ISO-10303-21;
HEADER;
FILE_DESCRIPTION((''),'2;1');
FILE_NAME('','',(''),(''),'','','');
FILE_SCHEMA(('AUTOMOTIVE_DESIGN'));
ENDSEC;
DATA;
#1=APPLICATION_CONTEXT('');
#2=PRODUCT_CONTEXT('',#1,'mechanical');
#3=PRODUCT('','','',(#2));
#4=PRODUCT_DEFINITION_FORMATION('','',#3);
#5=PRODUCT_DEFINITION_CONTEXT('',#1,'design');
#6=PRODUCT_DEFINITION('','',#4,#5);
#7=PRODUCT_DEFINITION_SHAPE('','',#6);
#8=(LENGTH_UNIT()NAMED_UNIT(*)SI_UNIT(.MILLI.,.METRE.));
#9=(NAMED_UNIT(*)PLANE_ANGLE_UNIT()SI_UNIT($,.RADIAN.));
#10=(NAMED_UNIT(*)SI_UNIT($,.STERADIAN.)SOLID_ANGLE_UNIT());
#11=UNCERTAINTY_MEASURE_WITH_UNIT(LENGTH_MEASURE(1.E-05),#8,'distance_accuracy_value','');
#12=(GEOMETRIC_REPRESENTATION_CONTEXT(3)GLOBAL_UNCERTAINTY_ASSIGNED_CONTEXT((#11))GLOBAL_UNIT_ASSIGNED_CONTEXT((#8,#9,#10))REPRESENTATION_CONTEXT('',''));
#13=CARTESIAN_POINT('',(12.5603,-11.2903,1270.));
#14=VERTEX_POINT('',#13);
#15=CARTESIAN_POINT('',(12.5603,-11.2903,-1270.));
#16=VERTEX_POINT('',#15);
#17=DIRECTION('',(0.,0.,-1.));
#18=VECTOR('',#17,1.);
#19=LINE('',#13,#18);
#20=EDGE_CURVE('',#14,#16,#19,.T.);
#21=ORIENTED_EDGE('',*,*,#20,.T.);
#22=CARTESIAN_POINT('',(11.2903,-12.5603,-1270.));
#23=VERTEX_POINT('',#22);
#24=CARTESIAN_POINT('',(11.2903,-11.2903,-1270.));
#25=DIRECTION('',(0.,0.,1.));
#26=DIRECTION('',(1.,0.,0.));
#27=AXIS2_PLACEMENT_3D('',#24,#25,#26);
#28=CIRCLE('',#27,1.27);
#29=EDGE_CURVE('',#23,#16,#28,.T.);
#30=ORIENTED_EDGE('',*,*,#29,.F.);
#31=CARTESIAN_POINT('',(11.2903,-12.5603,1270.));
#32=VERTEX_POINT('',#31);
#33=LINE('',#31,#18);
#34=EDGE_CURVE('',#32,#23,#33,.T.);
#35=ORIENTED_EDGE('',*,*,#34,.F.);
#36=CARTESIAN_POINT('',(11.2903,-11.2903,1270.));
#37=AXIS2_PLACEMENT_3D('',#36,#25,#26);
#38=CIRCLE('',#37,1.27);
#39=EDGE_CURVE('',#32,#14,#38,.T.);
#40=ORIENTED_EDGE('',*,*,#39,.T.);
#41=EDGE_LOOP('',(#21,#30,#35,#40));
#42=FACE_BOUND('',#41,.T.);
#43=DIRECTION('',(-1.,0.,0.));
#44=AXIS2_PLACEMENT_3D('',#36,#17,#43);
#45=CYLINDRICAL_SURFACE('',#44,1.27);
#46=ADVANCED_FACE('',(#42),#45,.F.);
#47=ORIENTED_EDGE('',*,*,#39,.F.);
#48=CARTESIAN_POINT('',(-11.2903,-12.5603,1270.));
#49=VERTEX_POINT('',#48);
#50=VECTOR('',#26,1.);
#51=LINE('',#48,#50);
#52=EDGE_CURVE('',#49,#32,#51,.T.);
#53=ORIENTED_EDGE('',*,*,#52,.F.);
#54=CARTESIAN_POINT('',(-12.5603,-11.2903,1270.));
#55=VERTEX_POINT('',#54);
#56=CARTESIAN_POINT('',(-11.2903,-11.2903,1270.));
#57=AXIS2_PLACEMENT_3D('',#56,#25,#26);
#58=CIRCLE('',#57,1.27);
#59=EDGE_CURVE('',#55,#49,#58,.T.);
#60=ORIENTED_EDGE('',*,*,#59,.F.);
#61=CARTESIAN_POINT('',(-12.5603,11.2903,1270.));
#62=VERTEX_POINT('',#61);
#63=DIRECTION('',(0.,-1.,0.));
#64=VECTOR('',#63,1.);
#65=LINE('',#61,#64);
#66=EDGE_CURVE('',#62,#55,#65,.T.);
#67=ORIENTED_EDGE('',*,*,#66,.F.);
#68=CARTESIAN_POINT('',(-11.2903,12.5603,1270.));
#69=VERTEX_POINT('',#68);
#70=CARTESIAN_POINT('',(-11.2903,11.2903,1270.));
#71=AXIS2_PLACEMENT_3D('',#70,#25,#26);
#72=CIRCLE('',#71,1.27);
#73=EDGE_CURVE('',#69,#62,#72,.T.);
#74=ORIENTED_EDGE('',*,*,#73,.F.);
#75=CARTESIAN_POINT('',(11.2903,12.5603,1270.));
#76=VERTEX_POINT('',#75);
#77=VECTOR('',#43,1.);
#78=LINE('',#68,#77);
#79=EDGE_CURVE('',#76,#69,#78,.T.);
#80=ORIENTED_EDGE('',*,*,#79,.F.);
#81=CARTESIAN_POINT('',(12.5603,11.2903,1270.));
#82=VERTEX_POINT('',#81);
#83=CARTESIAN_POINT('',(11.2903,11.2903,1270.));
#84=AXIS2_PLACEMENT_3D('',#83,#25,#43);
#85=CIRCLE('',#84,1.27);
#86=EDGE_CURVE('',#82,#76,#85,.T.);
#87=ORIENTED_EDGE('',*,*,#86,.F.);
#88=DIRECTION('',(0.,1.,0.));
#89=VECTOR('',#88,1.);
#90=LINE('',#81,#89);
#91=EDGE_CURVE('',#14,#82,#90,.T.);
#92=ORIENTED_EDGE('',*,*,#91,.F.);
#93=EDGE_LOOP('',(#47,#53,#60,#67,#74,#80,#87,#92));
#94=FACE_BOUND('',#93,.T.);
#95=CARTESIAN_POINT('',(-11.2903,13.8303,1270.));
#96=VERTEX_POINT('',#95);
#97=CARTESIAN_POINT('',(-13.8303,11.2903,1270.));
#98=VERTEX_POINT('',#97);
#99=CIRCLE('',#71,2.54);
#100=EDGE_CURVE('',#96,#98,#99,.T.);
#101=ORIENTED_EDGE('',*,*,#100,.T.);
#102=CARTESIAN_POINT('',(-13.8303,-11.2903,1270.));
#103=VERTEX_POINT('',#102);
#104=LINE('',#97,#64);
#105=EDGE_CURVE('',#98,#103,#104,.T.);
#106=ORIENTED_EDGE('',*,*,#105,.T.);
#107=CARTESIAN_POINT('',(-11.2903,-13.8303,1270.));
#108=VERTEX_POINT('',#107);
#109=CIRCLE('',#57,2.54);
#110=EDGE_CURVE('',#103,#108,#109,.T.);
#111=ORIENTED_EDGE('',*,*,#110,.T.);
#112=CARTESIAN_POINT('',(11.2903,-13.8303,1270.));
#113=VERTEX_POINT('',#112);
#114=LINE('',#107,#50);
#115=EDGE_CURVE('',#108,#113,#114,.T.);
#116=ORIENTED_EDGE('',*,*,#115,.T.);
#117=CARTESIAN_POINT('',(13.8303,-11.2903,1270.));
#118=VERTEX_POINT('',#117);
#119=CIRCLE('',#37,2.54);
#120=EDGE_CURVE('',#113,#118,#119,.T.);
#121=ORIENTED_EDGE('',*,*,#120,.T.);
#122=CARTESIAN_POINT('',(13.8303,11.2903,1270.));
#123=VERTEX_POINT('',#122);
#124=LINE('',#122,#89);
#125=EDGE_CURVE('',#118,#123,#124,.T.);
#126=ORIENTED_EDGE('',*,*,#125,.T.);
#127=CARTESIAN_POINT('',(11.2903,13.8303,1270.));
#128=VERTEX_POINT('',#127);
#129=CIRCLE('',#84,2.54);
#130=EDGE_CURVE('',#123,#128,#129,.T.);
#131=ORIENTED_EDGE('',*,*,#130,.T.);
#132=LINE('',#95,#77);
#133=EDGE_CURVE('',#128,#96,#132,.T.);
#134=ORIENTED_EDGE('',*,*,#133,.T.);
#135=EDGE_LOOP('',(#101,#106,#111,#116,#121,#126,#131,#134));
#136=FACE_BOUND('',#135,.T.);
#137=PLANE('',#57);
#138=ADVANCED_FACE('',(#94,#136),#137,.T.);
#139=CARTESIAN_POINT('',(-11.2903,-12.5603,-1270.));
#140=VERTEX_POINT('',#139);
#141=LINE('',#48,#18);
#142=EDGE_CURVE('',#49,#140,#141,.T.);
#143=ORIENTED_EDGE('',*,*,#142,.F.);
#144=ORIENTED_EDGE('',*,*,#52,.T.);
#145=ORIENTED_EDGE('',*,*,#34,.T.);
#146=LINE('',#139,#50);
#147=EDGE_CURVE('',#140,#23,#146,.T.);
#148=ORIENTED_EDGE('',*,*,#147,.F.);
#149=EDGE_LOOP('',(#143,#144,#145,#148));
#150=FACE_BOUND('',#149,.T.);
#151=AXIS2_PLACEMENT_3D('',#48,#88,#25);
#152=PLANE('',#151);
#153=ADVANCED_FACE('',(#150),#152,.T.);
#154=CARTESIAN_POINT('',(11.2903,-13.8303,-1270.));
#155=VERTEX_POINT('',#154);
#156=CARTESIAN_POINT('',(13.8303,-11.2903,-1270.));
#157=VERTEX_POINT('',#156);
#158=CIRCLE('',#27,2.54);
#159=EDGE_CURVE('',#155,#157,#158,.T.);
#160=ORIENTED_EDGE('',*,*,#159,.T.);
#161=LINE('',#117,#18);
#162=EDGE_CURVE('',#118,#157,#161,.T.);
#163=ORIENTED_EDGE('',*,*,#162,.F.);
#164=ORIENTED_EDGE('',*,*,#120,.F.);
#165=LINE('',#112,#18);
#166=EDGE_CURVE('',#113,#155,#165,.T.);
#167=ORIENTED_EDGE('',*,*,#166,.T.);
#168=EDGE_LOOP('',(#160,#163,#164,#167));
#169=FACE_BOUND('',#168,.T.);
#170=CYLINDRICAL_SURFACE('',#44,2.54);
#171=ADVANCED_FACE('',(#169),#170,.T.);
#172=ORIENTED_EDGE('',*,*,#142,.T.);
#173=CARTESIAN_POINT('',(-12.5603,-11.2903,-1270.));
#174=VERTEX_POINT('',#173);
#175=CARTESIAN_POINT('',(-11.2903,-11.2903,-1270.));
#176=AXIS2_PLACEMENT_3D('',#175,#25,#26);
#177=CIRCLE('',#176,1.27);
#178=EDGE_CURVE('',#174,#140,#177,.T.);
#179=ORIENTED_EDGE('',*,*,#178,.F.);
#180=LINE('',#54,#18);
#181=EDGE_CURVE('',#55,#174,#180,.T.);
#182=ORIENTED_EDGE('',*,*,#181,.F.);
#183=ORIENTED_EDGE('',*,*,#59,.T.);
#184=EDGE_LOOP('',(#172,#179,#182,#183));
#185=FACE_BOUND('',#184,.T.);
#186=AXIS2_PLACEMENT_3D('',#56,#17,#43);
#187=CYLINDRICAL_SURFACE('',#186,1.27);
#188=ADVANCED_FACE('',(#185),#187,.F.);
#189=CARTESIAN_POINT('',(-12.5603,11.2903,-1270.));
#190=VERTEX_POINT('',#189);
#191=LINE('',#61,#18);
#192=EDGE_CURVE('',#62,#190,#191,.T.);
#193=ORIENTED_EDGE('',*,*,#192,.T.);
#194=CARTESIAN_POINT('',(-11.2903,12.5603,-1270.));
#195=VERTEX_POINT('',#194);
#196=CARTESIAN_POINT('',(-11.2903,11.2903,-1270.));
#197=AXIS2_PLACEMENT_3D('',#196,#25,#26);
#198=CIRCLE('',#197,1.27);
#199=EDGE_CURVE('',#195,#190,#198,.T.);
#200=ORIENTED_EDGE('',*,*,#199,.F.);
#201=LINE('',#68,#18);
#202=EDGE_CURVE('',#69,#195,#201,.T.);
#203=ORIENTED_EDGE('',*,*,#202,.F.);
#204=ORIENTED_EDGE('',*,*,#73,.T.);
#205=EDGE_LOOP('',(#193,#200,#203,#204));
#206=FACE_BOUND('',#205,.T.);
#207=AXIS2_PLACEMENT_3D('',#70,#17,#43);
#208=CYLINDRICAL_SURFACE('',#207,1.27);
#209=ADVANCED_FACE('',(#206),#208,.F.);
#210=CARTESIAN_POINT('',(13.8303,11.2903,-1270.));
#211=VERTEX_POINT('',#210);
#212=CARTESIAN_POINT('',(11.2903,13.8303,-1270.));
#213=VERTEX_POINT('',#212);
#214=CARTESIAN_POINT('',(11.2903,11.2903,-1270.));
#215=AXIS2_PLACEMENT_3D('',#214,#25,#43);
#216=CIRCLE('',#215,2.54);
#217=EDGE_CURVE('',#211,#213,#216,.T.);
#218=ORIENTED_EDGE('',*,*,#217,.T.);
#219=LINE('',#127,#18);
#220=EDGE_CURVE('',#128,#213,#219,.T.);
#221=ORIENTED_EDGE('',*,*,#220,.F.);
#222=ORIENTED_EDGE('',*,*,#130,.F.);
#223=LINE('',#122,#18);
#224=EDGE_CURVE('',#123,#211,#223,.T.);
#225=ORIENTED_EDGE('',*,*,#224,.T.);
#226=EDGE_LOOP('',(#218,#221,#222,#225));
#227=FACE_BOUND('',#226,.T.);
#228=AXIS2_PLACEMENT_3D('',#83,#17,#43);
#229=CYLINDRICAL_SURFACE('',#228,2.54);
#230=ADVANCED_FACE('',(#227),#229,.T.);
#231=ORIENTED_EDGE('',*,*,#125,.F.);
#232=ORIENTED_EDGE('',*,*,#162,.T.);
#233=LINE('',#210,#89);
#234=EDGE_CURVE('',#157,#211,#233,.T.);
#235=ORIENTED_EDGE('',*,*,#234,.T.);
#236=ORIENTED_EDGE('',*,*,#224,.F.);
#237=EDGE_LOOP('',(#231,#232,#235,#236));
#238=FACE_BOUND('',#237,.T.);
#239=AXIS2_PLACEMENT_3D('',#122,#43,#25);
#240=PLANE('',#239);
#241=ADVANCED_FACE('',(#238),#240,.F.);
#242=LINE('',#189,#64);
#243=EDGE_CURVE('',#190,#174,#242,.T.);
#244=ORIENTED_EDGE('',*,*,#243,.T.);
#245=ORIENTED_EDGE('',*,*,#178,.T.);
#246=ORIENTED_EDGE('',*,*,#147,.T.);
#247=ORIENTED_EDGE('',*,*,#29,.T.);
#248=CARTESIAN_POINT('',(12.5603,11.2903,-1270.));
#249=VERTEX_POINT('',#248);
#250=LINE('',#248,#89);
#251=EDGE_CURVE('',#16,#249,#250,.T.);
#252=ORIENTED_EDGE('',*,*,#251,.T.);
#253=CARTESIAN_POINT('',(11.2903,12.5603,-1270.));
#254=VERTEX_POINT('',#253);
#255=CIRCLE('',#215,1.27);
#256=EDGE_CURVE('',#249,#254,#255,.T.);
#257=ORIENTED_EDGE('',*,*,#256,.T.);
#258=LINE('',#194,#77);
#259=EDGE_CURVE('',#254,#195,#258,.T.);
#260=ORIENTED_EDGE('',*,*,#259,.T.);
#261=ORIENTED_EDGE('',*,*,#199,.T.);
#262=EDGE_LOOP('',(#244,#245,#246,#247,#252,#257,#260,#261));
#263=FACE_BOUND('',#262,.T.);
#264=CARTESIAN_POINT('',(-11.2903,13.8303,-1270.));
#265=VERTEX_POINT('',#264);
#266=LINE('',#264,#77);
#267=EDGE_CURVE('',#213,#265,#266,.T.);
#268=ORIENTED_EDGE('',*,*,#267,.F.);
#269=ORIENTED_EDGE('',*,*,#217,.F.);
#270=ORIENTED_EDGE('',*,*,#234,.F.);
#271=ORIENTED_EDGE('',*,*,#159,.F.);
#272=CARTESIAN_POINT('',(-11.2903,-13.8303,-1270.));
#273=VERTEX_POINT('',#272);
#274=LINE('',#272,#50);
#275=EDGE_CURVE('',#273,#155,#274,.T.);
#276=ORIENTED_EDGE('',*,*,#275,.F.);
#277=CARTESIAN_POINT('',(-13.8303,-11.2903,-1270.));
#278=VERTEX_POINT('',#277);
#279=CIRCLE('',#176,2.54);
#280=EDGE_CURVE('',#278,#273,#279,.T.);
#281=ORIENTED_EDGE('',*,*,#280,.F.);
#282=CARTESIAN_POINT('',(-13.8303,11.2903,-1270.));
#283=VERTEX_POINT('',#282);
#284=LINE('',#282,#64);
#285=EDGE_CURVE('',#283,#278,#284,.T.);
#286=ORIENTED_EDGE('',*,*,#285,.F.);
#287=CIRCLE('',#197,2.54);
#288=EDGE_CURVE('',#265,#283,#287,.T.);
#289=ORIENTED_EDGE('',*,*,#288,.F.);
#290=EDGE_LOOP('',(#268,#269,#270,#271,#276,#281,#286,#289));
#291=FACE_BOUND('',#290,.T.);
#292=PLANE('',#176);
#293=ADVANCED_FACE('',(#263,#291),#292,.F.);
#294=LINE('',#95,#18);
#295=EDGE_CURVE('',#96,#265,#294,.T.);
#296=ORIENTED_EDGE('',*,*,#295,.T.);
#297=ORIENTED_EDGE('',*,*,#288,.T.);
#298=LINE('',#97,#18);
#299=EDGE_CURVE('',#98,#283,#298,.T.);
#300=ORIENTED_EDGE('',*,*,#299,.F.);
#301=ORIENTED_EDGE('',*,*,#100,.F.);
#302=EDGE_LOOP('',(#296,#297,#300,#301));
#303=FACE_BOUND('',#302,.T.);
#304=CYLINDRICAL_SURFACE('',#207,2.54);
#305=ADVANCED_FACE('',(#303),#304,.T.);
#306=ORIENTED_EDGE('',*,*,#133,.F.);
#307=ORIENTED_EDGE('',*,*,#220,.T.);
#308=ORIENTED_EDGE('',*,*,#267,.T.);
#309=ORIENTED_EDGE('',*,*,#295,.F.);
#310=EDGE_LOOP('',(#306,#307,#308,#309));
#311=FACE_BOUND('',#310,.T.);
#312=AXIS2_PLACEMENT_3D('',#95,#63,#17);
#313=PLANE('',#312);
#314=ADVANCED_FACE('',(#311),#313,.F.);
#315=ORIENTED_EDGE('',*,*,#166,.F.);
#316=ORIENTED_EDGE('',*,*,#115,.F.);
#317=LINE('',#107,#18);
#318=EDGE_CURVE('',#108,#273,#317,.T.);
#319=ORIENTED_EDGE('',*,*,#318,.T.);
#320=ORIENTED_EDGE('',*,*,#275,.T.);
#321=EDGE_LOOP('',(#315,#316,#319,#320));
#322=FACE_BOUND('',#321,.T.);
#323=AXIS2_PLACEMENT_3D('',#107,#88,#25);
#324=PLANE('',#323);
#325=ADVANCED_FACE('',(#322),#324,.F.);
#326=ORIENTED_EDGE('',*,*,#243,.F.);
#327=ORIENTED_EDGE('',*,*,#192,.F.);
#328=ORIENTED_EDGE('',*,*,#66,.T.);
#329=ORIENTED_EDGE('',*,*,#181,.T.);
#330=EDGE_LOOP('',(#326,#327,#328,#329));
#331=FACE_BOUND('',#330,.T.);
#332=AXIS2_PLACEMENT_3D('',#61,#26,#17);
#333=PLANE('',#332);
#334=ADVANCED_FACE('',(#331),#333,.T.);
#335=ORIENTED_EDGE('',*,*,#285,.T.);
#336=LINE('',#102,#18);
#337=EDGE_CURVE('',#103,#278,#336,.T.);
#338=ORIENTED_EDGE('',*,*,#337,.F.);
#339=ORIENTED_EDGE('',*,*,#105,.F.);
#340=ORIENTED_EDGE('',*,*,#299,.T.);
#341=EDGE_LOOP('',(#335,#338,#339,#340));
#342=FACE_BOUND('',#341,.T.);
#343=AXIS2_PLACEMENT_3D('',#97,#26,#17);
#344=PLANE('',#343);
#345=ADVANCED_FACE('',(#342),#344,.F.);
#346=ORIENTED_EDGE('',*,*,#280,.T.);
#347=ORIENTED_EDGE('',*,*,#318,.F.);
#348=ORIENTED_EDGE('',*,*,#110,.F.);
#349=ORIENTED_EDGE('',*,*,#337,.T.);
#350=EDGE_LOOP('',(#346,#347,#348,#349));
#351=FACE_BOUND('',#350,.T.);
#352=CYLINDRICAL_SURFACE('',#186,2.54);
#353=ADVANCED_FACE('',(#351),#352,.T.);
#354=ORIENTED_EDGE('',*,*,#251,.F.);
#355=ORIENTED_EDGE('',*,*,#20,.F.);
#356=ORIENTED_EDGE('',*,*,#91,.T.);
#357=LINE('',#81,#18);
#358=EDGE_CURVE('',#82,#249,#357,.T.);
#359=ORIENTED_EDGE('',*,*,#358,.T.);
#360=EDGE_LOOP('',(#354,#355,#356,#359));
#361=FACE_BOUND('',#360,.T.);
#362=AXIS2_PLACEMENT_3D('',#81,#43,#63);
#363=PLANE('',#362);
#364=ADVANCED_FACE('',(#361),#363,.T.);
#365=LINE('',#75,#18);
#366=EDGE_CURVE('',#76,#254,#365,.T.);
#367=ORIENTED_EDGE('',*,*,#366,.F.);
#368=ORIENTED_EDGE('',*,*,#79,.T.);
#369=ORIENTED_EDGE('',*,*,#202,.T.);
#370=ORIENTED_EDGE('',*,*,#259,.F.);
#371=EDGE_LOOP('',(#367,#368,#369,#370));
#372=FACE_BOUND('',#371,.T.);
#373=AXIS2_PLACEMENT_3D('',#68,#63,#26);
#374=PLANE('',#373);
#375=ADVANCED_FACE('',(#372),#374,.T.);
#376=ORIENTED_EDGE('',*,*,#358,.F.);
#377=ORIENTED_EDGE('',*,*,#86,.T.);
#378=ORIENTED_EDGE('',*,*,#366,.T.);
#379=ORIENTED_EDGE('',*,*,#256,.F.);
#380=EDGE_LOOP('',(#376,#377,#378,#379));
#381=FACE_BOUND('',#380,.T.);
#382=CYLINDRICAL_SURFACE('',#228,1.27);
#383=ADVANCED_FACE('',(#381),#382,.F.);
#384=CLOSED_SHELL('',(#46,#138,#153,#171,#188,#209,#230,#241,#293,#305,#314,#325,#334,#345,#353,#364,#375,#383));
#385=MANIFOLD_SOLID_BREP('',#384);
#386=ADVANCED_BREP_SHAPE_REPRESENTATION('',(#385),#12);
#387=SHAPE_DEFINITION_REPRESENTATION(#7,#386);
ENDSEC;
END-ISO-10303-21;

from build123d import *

# Parameters (mm, degrees)
BOSS_EXTRUDE1_DEPTH = 1270


with BuildPart() as part:
    # Sketch1 → Boss-Extrude1 (new body, symmetric)
    with BuildSketch(Plane.XY):
        with BuildLine():
            Line((-11.2903, 13.8303), (11.2903, 13.8303))
            ThreePointArc((11.2903, 13.8303), (13.086351224, 13.086351224), (13.8303, 11.2903))
            Line((13.8303, 11.2903), (13.8303, -11.2903))
            ThreePointArc((13.8303, -11.2903), (13.086351224, -13.086351224), (11.2903, -13.8303))
            Line((11.2903, -13.8303), (-11.2903, -13.8303))
            ThreePointArc((-11.2903, -13.8303), (-13.086351224, -13.086351224), (-13.8303, -11.2903))
            Line((-13.8303, -11.2903), (-13.8303, 11.2903))
            ThreePointArc((-13.8303, 11.2903), (-13.086351224, 13.086351224), (-11.2903, 13.8303))
        make_face()
        with BuildLine():
            Line((-12.5603, 11.2903), (-12.5603, -11.2903))
            ThreePointArc((-12.5603, -11.2903), (-12.188325612, -12.188325612), (-11.2903, -12.5603))
            Line((-11.2903, -12.5603), (11.2903, -12.5603))
            ThreePointArc((11.2903, -12.5603), (12.188325612, -12.188325612), (12.5603, -11.2903))
            Line((12.5603, -11.2903), (12.5603, 11.2903))
            ThreePointArc((12.5603, 11.2903), (12.188325612, 12.188325612), (11.2903, 12.5603))
            Line((11.2903, 12.5603), (-11.2903, 12.5603))
            ThreePointArc((-11.2903, 12.5603), (-12.188325612, 12.188325612), (-12.5603, 11.2903))
        make_face(mode=Mode.SUBTRACT)
    extrude(amount=BOSS_EXTRUDE1_DEPTH, both=True)


solid = part.part
